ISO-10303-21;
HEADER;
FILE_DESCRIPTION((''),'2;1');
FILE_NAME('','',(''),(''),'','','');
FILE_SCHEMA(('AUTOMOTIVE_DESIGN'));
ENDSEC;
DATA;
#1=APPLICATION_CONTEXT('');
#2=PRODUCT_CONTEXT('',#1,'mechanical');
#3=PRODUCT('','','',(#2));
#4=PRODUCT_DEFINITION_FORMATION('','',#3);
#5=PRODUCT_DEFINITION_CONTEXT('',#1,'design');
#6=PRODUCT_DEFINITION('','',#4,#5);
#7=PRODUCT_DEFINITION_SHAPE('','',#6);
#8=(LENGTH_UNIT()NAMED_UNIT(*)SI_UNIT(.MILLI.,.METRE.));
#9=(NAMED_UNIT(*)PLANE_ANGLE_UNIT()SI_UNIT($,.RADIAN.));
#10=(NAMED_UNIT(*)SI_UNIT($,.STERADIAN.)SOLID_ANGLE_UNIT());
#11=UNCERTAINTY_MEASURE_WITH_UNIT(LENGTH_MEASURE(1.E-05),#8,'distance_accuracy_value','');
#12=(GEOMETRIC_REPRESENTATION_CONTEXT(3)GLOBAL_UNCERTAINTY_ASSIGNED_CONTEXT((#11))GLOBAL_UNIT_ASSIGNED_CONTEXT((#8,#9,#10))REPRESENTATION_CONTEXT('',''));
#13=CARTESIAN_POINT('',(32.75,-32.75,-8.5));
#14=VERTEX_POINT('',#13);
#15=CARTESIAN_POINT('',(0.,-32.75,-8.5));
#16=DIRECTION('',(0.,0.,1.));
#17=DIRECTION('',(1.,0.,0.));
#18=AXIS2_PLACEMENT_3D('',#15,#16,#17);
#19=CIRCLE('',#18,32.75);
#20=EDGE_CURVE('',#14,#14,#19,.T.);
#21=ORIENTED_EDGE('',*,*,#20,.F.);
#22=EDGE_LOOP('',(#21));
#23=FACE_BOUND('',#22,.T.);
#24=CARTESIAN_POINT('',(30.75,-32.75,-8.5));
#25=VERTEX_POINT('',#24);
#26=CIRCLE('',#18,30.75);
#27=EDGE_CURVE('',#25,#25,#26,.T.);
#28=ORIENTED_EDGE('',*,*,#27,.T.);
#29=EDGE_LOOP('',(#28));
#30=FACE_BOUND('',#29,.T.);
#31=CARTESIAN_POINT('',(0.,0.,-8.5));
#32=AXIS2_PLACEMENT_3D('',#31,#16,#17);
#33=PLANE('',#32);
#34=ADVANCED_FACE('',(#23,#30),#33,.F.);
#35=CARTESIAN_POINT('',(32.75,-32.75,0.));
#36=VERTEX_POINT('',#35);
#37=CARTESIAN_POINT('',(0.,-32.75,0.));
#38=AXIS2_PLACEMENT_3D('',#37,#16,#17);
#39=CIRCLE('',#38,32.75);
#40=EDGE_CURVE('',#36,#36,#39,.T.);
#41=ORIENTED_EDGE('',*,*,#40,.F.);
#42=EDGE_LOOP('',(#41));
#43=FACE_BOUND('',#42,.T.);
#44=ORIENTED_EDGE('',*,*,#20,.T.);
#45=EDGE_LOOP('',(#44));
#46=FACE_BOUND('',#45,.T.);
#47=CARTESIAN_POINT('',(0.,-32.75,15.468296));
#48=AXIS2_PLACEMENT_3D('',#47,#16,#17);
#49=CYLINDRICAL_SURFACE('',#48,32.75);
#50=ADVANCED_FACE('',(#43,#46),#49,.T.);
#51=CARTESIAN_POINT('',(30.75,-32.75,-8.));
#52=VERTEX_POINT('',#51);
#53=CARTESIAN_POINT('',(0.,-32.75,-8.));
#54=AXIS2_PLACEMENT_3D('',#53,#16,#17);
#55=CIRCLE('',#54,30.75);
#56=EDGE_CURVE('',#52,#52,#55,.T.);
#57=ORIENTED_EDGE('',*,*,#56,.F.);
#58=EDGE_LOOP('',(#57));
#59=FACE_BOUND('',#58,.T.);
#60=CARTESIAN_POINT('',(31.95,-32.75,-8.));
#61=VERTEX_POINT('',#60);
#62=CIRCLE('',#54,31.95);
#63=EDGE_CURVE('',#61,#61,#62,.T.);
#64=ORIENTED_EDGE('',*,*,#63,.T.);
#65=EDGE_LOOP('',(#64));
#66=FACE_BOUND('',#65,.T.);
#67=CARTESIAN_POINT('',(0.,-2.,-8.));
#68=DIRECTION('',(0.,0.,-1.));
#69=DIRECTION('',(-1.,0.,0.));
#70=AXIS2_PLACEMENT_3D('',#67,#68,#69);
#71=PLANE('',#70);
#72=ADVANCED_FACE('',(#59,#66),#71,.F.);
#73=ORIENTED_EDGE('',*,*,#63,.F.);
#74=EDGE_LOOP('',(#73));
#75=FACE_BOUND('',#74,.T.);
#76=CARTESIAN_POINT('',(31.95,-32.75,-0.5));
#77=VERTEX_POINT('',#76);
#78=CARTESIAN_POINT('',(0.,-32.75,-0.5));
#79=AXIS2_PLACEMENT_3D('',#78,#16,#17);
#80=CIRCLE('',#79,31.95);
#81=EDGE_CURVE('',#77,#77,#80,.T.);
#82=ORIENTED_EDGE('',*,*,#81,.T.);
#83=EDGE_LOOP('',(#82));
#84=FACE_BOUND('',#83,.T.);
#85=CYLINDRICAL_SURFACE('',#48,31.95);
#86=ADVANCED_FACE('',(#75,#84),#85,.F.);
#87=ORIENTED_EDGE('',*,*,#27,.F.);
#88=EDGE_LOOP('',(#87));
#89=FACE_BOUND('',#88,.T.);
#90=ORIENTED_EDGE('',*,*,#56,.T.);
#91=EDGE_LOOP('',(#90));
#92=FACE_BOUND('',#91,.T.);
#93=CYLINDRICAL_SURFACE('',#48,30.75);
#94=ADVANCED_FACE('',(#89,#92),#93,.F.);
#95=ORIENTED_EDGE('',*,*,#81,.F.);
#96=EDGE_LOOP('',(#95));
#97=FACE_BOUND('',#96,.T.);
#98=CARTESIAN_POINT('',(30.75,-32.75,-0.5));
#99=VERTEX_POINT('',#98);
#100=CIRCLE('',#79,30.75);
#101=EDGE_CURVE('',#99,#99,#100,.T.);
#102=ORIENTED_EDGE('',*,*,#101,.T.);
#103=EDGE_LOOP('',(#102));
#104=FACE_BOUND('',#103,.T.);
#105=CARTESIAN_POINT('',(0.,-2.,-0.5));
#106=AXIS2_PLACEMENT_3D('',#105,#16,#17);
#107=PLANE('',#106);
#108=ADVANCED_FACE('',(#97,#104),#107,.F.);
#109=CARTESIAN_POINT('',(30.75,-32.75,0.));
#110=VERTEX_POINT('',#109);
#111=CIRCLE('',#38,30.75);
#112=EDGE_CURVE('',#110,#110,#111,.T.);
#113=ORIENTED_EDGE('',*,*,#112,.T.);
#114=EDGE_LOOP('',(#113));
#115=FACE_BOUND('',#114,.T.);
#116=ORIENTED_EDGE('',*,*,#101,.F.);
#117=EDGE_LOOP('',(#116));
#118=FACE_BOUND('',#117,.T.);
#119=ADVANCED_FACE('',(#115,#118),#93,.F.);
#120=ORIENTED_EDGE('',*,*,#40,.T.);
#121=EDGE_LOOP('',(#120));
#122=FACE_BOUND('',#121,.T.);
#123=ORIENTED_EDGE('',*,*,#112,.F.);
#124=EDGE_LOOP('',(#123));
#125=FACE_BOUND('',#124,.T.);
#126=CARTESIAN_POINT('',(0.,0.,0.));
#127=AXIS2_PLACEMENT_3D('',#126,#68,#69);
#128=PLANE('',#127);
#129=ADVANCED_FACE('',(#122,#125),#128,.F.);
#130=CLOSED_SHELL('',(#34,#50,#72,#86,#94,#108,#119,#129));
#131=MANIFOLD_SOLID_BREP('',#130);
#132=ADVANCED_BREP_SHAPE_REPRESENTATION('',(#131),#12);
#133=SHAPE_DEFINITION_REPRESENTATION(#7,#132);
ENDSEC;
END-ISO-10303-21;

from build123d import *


with BuildPart() as part:
    # Sketch4 → Revolve1 (revolve)
    with BuildSketch(Plane(origin=(0, 0, 0), x_dir=(0, 0, -1), z_dir=(1, 0, 0))):
        Polygon((0, 0), (8.5, 0), (8.5, -2), (8, -2), (8, -0.8), (0.5, -0.8), (0.5, -2), (0, -2), align=None)
    revolve(axis=Axis((0, -32.75, 15.468296477), (0, 0, -1)))


solid = part.part
